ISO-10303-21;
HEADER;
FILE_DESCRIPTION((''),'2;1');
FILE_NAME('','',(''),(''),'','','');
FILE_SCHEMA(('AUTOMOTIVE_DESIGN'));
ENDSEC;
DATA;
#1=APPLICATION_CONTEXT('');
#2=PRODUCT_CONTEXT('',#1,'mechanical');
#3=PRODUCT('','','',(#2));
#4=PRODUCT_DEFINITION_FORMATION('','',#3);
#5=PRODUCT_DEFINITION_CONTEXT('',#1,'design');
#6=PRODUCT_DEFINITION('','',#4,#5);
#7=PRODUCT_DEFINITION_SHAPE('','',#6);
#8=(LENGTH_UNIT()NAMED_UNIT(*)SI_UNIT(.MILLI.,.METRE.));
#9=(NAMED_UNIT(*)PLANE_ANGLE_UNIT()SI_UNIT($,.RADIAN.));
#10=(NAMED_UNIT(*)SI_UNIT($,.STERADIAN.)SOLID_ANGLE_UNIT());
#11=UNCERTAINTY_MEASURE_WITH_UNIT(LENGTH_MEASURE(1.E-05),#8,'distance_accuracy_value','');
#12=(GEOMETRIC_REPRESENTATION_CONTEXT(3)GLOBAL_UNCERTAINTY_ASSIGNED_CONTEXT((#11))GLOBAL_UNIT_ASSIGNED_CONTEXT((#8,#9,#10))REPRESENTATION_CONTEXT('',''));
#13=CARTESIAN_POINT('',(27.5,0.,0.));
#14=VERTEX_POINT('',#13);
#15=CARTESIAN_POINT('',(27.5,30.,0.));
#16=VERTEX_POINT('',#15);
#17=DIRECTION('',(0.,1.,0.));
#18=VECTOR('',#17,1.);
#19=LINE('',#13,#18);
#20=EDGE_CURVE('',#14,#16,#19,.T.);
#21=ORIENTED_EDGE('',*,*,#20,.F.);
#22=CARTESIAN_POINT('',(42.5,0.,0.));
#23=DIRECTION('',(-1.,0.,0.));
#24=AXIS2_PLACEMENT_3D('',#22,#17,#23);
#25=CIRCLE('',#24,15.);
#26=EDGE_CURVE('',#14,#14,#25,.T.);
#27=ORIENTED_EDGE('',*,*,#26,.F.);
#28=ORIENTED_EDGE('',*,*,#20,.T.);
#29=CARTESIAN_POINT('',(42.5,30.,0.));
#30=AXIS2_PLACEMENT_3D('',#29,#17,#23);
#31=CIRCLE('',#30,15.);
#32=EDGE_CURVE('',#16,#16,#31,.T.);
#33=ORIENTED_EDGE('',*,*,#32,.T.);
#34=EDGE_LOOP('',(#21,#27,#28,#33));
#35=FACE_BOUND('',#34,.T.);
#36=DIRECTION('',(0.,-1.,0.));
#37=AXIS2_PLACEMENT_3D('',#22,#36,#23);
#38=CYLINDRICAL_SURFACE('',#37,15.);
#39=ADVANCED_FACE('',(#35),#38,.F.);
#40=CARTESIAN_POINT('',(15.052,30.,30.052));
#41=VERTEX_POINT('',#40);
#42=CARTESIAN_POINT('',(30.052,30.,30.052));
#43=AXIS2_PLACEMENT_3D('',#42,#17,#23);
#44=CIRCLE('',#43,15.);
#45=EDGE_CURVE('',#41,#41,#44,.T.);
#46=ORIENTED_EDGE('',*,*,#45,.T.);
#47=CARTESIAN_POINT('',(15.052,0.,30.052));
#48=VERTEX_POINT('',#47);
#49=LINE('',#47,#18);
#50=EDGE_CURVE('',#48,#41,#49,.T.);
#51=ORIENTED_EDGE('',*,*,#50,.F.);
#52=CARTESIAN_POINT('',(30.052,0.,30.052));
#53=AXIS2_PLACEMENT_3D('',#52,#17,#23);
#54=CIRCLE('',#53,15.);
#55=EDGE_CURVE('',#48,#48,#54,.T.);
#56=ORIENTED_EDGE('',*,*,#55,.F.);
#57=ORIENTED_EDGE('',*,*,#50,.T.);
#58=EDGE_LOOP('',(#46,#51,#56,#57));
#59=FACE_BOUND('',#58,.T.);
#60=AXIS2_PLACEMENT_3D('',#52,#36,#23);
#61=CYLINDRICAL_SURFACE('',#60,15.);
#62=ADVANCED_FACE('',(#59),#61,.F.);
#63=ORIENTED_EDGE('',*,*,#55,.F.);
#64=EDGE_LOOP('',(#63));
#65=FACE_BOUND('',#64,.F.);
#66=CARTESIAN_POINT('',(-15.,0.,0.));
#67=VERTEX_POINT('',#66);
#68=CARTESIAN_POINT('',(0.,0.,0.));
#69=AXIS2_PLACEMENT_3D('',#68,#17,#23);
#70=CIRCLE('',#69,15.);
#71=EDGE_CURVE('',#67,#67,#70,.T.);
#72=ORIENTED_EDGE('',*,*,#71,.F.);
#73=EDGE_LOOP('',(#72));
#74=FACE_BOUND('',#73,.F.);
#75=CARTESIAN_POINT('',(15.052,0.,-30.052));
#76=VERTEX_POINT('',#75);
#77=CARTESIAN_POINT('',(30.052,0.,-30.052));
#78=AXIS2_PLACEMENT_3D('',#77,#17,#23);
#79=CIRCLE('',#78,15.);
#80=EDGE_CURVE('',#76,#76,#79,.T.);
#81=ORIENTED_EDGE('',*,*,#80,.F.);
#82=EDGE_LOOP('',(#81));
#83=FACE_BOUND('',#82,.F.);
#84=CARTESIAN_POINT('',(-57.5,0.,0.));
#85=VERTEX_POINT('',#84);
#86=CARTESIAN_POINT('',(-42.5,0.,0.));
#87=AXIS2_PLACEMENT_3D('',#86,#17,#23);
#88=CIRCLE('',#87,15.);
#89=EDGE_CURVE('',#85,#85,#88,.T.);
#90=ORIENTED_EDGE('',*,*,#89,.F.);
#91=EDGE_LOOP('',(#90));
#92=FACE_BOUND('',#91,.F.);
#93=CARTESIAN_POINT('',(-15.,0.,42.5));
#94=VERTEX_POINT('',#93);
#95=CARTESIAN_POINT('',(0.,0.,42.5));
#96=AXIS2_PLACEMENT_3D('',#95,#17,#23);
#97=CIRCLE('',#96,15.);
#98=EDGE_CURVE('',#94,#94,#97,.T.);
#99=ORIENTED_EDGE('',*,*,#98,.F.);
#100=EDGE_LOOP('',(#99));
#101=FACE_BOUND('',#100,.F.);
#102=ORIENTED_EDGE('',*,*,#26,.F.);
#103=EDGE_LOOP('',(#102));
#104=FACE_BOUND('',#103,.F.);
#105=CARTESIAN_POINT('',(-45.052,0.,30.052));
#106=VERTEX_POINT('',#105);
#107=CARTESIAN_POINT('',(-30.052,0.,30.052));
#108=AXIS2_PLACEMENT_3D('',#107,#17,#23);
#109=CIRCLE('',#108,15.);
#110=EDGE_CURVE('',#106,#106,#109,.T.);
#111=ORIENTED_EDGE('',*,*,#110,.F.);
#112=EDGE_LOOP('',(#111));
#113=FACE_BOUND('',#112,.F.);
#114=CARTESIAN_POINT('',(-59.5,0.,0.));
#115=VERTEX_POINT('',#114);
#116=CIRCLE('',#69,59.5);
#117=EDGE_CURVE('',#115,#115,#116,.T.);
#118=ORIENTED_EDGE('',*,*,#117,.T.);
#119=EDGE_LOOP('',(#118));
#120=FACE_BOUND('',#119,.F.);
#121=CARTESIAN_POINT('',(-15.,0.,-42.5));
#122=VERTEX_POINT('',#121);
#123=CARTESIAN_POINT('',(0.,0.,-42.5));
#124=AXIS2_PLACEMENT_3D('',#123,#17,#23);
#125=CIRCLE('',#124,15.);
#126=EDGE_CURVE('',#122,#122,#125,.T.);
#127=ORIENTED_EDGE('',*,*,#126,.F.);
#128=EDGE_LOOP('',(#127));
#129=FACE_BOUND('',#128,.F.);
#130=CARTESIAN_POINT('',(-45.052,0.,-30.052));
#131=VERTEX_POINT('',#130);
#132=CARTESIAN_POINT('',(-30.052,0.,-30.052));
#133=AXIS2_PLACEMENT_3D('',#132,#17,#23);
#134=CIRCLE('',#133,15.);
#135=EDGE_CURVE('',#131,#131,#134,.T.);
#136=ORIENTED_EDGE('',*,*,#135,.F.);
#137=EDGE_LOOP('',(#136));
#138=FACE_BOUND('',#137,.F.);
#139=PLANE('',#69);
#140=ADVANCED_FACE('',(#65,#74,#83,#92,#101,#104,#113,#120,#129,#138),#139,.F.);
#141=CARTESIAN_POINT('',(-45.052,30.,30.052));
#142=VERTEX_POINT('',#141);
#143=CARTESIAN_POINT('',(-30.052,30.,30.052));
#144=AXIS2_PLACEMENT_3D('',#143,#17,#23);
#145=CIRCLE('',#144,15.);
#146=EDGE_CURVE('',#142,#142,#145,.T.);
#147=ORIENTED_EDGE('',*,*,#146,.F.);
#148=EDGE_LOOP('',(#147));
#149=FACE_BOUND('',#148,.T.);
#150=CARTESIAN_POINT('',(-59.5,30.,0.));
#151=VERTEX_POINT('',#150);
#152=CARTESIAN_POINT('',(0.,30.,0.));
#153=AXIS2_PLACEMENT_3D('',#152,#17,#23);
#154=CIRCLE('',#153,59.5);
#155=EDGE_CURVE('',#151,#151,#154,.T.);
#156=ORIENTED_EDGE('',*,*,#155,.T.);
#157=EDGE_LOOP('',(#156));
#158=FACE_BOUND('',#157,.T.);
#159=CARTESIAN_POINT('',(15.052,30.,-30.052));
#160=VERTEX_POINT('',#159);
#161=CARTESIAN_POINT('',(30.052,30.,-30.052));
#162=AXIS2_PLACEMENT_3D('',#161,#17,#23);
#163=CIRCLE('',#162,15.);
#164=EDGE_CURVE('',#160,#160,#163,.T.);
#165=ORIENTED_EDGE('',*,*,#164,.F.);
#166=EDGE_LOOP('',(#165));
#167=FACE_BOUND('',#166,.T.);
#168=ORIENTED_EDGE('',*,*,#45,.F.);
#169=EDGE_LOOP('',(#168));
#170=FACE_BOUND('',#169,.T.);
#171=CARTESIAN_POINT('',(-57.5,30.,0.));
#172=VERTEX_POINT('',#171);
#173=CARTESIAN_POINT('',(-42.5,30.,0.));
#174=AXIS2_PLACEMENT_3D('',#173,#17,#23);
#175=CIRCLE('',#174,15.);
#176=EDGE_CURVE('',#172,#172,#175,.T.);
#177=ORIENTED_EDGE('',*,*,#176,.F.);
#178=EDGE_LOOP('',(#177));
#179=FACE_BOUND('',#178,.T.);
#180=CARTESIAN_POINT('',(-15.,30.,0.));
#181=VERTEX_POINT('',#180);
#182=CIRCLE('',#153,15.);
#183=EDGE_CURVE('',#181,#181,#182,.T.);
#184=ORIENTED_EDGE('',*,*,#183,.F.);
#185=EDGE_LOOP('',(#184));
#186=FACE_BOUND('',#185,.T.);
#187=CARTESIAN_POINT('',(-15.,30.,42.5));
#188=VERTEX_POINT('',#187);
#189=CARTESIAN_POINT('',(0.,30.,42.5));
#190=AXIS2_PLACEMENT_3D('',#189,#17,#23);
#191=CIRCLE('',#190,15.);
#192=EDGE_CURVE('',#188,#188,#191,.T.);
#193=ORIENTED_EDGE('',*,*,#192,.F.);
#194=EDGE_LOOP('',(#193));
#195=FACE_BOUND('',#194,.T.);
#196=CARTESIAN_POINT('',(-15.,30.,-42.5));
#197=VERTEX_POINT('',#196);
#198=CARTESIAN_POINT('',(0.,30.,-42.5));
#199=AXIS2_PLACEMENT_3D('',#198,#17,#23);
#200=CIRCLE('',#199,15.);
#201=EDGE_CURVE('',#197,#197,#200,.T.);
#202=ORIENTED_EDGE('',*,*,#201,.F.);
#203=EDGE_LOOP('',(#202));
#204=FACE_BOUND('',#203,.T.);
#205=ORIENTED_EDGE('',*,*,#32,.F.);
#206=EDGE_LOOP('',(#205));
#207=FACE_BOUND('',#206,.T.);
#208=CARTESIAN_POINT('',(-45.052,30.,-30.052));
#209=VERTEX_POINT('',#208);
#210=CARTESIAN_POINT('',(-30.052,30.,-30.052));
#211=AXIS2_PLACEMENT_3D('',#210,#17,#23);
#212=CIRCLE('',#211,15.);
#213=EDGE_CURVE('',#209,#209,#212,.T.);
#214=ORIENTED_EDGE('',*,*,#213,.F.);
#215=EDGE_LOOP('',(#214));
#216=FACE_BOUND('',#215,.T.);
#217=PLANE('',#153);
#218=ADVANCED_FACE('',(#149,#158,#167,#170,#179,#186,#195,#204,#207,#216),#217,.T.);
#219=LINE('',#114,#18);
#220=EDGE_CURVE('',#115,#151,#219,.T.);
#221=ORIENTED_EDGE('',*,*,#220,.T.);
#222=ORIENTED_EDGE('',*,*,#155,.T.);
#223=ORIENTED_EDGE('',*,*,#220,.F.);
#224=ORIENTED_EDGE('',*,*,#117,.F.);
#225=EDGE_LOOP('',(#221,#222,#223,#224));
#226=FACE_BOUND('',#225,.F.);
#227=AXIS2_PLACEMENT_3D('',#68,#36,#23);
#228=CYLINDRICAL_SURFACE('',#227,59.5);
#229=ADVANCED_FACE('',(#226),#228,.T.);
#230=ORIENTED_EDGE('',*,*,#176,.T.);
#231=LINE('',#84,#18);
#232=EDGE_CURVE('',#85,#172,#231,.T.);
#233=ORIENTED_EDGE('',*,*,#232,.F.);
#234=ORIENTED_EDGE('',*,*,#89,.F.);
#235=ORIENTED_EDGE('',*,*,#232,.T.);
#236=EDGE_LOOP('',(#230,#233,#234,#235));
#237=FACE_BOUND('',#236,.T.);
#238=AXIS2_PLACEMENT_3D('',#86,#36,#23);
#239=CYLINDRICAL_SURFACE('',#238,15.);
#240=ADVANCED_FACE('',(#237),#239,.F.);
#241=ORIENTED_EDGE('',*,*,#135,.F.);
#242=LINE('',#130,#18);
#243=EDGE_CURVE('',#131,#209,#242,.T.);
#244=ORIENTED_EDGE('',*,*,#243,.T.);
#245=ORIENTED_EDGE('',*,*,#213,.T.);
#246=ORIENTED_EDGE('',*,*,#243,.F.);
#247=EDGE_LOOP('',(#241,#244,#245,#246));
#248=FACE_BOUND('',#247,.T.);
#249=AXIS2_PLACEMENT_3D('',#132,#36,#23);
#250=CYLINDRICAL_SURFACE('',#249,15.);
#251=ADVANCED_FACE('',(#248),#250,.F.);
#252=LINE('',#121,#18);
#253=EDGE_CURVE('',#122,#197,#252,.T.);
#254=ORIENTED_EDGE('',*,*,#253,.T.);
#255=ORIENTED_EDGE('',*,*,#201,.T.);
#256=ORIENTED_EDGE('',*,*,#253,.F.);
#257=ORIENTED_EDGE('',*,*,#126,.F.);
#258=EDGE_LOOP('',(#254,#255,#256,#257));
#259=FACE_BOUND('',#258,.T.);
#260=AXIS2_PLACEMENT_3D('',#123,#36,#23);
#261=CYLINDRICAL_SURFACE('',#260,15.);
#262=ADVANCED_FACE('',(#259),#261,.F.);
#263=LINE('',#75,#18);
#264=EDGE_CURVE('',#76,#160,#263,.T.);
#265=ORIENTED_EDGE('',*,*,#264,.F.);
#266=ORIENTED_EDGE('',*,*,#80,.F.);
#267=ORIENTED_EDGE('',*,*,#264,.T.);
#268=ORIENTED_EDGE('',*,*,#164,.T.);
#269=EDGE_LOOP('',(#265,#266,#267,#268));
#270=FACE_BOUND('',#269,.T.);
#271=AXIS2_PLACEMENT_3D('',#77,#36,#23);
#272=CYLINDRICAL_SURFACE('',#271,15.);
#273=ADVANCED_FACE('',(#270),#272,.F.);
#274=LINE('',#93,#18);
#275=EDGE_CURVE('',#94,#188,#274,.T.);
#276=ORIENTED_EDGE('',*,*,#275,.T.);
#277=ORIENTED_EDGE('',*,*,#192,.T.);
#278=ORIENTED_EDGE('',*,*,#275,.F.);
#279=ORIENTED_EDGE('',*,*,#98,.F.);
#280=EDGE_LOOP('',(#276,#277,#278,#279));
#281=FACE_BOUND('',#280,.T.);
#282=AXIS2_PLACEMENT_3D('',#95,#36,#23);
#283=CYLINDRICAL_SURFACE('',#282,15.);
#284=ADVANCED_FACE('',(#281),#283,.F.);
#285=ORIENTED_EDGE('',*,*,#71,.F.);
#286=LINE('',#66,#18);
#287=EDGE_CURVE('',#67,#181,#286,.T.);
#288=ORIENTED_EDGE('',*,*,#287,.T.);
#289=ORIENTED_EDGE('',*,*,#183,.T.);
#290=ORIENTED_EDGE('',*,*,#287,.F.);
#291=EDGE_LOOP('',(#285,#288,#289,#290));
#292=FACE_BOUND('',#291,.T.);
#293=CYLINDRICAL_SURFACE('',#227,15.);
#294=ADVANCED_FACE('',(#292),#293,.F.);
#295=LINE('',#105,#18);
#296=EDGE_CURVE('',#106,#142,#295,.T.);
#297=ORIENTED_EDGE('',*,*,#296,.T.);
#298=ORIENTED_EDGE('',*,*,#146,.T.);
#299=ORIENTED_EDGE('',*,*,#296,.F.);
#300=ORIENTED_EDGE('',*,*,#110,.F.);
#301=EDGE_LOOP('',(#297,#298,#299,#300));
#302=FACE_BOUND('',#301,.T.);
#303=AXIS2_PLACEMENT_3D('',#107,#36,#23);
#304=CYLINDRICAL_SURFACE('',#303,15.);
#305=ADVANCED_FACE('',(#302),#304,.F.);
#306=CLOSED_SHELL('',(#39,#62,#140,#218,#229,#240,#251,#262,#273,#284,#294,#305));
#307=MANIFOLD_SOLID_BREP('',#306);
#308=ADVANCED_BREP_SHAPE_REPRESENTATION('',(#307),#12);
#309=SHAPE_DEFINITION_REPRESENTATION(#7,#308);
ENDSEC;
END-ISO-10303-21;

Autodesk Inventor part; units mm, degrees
ref_plane "YZ Plane" through (0, 0, 0) normal (1, 0, 0) x (0, 1, 0)
ref_plane "XZ Plane" through (0, 0, 0) normal (0, 1, 0) x (-1, 0, 0)
ref_plane "XY Plane" through (0, 0, 0) normal (0, 0, 1) x (1, 0, 0)
sketch "Sketch1" plane through (0, 0, 0) normal (0, 1, 0) x (-1, 0, 0)
  circle A0 centre (0, 0) radius 27.5 construction
  circle A1 centre (42.5, 0) radius 15
  circle A2 centre (30.052, 30.052) radius 15
  circle A3 centre (0, 42.5) radius 15
  circle A4 centre (-30.052, 30.052) radius 15
  circle A5 centre (-42.5, 0) radius 15
  circle A6 centre (0, 0) radius 59.5
  circle A7 centre (0, 0) radius 15
  circle A8 centre (-30.052, -30.052) radius 15
  circle A9 centre (0, -42.5) radius 15
  circle A10 centre (30.052, -30.052) radius 15
  point P0 (19.4454, 19.4454)
  point P1 (27.5, 0)
  point P2 (-27.5, 0)
  point P3 (-19.4454, 19.4454)
  point P4 (0, 27.5)
  dimension "d0" = 55
  dimension "d1" = 30
  dimension "d4" = 360
  dimension "d6" = 32
  dimension "d19" = 30
extrude "Extrusion1" add sketch "Sketch1" along normal blind 30
properties part number "vial holder"
